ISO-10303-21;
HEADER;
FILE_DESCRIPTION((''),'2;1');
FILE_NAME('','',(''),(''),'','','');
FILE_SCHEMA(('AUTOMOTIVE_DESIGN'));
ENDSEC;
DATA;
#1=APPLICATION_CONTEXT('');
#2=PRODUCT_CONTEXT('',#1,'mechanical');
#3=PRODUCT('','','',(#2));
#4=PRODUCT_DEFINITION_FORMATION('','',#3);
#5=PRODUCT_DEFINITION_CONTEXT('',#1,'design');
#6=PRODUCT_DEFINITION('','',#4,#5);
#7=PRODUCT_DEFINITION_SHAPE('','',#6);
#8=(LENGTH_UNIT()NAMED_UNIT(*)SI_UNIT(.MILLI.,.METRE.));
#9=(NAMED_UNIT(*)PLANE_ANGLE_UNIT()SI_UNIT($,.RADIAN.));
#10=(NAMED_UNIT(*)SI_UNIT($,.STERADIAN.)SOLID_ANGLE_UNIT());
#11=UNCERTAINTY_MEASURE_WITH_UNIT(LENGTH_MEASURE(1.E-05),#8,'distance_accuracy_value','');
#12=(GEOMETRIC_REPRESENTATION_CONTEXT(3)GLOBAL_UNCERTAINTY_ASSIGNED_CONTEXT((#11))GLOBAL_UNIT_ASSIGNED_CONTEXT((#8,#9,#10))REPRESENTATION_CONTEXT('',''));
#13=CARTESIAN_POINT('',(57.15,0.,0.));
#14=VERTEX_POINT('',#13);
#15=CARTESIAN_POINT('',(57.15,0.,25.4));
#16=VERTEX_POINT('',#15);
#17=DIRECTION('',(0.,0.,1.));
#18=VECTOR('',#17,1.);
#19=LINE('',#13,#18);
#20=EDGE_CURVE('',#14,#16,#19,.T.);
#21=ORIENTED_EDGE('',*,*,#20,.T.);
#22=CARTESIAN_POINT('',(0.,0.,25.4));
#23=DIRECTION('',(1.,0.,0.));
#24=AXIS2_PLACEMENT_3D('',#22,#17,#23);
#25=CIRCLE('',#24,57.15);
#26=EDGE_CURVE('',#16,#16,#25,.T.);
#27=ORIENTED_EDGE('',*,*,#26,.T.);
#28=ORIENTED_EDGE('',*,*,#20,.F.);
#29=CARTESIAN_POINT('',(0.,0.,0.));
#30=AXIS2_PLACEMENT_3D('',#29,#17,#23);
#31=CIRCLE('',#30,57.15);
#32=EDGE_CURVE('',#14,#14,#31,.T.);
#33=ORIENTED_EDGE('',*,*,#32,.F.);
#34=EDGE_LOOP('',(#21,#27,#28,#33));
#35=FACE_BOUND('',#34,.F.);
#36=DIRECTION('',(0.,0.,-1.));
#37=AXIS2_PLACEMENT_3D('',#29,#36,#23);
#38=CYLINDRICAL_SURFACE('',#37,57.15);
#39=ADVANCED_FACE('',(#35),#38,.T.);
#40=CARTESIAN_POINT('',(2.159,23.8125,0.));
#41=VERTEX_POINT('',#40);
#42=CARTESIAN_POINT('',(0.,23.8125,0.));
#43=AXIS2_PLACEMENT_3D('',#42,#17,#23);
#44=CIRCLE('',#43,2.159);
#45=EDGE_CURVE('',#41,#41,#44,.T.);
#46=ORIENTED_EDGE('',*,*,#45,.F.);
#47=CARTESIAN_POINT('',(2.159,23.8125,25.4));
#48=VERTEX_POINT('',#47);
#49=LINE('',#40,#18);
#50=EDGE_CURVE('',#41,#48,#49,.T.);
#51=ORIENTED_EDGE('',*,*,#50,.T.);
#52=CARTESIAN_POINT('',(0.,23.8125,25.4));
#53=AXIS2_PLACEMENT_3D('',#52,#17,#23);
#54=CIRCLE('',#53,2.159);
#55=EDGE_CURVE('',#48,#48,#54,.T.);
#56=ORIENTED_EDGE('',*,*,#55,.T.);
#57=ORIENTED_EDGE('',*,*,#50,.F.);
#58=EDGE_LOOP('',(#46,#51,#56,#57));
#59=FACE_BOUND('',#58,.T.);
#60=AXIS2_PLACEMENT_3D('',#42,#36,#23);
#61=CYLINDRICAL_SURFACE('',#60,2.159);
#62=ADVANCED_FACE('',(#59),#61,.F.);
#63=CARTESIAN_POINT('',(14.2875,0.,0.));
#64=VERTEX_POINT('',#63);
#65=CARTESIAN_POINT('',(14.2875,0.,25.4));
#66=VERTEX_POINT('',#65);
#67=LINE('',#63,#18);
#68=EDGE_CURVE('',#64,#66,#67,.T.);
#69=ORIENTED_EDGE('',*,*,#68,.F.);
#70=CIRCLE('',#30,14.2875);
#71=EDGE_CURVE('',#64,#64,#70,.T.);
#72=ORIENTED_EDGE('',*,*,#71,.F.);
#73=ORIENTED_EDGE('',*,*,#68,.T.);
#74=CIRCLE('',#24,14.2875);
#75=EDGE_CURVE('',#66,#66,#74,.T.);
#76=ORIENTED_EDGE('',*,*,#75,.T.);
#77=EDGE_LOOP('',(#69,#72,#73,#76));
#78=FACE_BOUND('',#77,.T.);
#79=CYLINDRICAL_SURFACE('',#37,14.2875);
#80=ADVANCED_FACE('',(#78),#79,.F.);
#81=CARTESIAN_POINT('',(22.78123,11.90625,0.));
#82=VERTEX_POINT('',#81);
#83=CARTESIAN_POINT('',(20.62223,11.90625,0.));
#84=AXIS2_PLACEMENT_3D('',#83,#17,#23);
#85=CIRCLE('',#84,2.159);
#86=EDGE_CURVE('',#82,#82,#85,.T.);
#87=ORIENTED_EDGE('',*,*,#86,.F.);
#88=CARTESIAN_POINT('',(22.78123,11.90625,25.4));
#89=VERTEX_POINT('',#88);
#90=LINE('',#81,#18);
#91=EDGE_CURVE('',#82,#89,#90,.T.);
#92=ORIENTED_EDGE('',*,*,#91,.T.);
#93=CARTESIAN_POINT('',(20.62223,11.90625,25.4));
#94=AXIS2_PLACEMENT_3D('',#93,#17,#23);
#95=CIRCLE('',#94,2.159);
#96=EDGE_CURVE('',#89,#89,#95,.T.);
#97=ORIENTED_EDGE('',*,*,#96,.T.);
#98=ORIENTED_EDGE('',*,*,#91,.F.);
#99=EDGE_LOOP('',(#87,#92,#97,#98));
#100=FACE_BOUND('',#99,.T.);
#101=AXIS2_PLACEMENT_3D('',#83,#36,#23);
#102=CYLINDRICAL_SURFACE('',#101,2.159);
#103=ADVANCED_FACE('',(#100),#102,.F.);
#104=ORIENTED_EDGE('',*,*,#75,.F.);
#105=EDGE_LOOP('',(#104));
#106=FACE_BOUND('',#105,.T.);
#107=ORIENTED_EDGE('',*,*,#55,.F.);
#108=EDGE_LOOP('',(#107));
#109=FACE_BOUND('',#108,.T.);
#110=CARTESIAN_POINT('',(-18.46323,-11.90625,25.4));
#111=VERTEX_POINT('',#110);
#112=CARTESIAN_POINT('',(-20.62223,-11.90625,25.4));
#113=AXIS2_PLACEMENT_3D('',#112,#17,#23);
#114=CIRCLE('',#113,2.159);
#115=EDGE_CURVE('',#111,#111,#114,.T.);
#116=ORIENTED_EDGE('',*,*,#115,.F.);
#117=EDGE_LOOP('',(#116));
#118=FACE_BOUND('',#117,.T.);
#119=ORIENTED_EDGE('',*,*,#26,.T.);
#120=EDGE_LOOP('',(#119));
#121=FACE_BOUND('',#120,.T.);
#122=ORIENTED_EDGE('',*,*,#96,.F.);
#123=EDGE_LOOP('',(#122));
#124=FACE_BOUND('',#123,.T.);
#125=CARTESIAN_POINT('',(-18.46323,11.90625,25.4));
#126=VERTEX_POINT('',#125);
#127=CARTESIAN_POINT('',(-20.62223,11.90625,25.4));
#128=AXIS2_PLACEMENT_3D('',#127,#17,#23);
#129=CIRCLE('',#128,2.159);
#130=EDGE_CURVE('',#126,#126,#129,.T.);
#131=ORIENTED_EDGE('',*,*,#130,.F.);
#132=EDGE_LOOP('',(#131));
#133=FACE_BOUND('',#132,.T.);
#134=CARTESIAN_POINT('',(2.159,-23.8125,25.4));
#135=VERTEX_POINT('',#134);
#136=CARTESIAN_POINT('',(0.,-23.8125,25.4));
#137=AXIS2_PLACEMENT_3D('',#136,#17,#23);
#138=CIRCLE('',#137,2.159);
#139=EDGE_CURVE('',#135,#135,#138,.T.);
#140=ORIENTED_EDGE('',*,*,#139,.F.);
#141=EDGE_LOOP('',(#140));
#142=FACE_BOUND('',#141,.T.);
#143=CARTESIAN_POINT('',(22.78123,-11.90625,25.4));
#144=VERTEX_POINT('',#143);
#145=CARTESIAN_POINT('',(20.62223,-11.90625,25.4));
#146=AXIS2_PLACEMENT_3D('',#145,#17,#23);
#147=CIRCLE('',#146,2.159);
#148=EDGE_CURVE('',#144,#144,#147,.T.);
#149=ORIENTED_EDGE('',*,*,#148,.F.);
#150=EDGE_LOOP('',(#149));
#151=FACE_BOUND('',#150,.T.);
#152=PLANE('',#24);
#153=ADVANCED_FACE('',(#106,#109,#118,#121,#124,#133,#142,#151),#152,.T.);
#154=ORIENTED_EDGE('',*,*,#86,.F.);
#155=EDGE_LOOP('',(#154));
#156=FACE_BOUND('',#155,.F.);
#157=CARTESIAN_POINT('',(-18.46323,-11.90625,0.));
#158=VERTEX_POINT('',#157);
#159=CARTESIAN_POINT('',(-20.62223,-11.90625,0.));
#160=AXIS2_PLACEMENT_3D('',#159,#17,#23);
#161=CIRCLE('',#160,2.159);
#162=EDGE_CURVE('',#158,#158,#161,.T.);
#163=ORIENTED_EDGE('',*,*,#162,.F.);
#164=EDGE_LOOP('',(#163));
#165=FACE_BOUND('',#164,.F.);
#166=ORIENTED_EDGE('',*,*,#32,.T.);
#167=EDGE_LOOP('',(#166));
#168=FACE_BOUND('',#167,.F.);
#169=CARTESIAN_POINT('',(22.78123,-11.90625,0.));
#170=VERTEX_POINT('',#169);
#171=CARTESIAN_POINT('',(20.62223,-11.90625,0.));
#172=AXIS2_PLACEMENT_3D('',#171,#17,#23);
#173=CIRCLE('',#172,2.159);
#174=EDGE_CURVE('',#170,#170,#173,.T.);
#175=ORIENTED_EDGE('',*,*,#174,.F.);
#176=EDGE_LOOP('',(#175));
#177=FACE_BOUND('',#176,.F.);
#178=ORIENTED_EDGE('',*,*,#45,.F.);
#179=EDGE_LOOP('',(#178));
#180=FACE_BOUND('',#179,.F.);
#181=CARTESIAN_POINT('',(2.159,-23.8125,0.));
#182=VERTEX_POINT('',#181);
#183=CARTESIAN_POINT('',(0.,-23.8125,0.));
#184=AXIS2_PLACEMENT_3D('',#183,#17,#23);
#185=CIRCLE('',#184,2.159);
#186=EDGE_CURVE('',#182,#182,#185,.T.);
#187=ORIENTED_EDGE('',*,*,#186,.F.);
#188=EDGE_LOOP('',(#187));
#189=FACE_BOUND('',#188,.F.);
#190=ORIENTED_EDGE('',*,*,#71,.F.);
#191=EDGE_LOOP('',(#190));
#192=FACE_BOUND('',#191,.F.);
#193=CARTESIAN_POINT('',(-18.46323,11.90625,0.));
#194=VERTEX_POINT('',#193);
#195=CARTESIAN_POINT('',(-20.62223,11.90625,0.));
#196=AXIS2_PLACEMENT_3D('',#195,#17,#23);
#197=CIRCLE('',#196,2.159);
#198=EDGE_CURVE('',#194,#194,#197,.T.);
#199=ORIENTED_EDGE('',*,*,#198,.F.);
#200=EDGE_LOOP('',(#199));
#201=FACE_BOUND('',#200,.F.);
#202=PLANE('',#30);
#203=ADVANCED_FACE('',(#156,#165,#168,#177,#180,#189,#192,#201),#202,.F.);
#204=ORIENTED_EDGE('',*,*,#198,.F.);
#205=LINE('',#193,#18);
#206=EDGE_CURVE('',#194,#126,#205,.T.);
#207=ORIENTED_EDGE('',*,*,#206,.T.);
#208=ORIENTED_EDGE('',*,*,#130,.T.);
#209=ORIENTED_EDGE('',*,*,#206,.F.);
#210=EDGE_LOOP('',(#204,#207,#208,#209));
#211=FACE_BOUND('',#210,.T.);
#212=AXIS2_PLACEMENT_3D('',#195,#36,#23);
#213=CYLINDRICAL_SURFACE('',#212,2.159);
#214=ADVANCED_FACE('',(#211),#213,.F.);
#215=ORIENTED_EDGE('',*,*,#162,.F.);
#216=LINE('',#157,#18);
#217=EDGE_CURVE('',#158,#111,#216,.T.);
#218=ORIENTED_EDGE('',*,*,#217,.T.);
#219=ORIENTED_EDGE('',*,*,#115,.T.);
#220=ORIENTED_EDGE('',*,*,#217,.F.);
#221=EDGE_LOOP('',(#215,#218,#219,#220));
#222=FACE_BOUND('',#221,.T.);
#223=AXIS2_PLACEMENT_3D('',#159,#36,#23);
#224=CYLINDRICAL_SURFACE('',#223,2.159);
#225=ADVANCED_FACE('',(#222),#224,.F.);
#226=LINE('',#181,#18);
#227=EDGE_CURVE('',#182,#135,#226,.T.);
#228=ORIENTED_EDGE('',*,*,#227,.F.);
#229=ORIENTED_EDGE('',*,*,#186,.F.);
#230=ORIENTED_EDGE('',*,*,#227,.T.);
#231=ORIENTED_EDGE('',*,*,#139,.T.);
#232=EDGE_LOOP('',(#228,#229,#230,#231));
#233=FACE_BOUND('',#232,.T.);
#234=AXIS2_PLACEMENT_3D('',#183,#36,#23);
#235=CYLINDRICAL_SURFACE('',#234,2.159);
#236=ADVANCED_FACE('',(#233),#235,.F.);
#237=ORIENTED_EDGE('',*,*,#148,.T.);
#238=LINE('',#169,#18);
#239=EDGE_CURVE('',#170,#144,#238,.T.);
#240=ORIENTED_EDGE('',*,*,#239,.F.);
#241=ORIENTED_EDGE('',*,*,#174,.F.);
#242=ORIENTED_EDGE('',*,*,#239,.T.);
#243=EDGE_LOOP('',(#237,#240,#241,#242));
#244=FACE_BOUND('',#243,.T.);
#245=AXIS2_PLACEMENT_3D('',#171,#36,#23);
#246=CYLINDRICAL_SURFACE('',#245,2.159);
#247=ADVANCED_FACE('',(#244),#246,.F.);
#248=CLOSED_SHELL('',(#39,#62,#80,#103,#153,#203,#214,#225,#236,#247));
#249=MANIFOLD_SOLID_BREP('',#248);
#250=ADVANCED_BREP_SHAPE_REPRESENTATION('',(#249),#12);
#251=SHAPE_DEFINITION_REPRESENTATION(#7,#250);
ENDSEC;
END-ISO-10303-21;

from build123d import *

# Parameters (mm, degrees)
F0_R     = 57.15
F0_R_2   = 2.159
F0_R_3   = 14.2875
F1_DEPTH = 25.4


with BuildPart() as f1:
    # F0 (on Top) → F1 (new body)
    with BuildSketch(Plane.XY):
        Circle(F0_R)
        with Locations((-20.62223, -11.90625)):
            Circle(F0_R_2, mode=Mode.SUBTRACT)
        with Locations((0, -23.8125)):
            Circle(F0_R_2, mode=Mode.SUBTRACT)
        with Locations((20.62223, -11.90625)):
            Circle(F0_R_2, mode=Mode.SUBTRACT)
        with Locations((-20.62223, 11.90625)):
            Circle(F0_R_2, mode=Mode.SUBTRACT)
        Circle(F0_R_3, mode=Mode.SUBTRACT)
        with Locations((20.62223, 11.90625)):
            Circle(F0_R_2, mode=Mode.SUBTRACT)
        with Locations((0, 23.8125)):
            Circle(F0_R_2, mode=Mode.SUBTRACT)
    extrude(amount=F1_DEPTH)


solid = f1.part
